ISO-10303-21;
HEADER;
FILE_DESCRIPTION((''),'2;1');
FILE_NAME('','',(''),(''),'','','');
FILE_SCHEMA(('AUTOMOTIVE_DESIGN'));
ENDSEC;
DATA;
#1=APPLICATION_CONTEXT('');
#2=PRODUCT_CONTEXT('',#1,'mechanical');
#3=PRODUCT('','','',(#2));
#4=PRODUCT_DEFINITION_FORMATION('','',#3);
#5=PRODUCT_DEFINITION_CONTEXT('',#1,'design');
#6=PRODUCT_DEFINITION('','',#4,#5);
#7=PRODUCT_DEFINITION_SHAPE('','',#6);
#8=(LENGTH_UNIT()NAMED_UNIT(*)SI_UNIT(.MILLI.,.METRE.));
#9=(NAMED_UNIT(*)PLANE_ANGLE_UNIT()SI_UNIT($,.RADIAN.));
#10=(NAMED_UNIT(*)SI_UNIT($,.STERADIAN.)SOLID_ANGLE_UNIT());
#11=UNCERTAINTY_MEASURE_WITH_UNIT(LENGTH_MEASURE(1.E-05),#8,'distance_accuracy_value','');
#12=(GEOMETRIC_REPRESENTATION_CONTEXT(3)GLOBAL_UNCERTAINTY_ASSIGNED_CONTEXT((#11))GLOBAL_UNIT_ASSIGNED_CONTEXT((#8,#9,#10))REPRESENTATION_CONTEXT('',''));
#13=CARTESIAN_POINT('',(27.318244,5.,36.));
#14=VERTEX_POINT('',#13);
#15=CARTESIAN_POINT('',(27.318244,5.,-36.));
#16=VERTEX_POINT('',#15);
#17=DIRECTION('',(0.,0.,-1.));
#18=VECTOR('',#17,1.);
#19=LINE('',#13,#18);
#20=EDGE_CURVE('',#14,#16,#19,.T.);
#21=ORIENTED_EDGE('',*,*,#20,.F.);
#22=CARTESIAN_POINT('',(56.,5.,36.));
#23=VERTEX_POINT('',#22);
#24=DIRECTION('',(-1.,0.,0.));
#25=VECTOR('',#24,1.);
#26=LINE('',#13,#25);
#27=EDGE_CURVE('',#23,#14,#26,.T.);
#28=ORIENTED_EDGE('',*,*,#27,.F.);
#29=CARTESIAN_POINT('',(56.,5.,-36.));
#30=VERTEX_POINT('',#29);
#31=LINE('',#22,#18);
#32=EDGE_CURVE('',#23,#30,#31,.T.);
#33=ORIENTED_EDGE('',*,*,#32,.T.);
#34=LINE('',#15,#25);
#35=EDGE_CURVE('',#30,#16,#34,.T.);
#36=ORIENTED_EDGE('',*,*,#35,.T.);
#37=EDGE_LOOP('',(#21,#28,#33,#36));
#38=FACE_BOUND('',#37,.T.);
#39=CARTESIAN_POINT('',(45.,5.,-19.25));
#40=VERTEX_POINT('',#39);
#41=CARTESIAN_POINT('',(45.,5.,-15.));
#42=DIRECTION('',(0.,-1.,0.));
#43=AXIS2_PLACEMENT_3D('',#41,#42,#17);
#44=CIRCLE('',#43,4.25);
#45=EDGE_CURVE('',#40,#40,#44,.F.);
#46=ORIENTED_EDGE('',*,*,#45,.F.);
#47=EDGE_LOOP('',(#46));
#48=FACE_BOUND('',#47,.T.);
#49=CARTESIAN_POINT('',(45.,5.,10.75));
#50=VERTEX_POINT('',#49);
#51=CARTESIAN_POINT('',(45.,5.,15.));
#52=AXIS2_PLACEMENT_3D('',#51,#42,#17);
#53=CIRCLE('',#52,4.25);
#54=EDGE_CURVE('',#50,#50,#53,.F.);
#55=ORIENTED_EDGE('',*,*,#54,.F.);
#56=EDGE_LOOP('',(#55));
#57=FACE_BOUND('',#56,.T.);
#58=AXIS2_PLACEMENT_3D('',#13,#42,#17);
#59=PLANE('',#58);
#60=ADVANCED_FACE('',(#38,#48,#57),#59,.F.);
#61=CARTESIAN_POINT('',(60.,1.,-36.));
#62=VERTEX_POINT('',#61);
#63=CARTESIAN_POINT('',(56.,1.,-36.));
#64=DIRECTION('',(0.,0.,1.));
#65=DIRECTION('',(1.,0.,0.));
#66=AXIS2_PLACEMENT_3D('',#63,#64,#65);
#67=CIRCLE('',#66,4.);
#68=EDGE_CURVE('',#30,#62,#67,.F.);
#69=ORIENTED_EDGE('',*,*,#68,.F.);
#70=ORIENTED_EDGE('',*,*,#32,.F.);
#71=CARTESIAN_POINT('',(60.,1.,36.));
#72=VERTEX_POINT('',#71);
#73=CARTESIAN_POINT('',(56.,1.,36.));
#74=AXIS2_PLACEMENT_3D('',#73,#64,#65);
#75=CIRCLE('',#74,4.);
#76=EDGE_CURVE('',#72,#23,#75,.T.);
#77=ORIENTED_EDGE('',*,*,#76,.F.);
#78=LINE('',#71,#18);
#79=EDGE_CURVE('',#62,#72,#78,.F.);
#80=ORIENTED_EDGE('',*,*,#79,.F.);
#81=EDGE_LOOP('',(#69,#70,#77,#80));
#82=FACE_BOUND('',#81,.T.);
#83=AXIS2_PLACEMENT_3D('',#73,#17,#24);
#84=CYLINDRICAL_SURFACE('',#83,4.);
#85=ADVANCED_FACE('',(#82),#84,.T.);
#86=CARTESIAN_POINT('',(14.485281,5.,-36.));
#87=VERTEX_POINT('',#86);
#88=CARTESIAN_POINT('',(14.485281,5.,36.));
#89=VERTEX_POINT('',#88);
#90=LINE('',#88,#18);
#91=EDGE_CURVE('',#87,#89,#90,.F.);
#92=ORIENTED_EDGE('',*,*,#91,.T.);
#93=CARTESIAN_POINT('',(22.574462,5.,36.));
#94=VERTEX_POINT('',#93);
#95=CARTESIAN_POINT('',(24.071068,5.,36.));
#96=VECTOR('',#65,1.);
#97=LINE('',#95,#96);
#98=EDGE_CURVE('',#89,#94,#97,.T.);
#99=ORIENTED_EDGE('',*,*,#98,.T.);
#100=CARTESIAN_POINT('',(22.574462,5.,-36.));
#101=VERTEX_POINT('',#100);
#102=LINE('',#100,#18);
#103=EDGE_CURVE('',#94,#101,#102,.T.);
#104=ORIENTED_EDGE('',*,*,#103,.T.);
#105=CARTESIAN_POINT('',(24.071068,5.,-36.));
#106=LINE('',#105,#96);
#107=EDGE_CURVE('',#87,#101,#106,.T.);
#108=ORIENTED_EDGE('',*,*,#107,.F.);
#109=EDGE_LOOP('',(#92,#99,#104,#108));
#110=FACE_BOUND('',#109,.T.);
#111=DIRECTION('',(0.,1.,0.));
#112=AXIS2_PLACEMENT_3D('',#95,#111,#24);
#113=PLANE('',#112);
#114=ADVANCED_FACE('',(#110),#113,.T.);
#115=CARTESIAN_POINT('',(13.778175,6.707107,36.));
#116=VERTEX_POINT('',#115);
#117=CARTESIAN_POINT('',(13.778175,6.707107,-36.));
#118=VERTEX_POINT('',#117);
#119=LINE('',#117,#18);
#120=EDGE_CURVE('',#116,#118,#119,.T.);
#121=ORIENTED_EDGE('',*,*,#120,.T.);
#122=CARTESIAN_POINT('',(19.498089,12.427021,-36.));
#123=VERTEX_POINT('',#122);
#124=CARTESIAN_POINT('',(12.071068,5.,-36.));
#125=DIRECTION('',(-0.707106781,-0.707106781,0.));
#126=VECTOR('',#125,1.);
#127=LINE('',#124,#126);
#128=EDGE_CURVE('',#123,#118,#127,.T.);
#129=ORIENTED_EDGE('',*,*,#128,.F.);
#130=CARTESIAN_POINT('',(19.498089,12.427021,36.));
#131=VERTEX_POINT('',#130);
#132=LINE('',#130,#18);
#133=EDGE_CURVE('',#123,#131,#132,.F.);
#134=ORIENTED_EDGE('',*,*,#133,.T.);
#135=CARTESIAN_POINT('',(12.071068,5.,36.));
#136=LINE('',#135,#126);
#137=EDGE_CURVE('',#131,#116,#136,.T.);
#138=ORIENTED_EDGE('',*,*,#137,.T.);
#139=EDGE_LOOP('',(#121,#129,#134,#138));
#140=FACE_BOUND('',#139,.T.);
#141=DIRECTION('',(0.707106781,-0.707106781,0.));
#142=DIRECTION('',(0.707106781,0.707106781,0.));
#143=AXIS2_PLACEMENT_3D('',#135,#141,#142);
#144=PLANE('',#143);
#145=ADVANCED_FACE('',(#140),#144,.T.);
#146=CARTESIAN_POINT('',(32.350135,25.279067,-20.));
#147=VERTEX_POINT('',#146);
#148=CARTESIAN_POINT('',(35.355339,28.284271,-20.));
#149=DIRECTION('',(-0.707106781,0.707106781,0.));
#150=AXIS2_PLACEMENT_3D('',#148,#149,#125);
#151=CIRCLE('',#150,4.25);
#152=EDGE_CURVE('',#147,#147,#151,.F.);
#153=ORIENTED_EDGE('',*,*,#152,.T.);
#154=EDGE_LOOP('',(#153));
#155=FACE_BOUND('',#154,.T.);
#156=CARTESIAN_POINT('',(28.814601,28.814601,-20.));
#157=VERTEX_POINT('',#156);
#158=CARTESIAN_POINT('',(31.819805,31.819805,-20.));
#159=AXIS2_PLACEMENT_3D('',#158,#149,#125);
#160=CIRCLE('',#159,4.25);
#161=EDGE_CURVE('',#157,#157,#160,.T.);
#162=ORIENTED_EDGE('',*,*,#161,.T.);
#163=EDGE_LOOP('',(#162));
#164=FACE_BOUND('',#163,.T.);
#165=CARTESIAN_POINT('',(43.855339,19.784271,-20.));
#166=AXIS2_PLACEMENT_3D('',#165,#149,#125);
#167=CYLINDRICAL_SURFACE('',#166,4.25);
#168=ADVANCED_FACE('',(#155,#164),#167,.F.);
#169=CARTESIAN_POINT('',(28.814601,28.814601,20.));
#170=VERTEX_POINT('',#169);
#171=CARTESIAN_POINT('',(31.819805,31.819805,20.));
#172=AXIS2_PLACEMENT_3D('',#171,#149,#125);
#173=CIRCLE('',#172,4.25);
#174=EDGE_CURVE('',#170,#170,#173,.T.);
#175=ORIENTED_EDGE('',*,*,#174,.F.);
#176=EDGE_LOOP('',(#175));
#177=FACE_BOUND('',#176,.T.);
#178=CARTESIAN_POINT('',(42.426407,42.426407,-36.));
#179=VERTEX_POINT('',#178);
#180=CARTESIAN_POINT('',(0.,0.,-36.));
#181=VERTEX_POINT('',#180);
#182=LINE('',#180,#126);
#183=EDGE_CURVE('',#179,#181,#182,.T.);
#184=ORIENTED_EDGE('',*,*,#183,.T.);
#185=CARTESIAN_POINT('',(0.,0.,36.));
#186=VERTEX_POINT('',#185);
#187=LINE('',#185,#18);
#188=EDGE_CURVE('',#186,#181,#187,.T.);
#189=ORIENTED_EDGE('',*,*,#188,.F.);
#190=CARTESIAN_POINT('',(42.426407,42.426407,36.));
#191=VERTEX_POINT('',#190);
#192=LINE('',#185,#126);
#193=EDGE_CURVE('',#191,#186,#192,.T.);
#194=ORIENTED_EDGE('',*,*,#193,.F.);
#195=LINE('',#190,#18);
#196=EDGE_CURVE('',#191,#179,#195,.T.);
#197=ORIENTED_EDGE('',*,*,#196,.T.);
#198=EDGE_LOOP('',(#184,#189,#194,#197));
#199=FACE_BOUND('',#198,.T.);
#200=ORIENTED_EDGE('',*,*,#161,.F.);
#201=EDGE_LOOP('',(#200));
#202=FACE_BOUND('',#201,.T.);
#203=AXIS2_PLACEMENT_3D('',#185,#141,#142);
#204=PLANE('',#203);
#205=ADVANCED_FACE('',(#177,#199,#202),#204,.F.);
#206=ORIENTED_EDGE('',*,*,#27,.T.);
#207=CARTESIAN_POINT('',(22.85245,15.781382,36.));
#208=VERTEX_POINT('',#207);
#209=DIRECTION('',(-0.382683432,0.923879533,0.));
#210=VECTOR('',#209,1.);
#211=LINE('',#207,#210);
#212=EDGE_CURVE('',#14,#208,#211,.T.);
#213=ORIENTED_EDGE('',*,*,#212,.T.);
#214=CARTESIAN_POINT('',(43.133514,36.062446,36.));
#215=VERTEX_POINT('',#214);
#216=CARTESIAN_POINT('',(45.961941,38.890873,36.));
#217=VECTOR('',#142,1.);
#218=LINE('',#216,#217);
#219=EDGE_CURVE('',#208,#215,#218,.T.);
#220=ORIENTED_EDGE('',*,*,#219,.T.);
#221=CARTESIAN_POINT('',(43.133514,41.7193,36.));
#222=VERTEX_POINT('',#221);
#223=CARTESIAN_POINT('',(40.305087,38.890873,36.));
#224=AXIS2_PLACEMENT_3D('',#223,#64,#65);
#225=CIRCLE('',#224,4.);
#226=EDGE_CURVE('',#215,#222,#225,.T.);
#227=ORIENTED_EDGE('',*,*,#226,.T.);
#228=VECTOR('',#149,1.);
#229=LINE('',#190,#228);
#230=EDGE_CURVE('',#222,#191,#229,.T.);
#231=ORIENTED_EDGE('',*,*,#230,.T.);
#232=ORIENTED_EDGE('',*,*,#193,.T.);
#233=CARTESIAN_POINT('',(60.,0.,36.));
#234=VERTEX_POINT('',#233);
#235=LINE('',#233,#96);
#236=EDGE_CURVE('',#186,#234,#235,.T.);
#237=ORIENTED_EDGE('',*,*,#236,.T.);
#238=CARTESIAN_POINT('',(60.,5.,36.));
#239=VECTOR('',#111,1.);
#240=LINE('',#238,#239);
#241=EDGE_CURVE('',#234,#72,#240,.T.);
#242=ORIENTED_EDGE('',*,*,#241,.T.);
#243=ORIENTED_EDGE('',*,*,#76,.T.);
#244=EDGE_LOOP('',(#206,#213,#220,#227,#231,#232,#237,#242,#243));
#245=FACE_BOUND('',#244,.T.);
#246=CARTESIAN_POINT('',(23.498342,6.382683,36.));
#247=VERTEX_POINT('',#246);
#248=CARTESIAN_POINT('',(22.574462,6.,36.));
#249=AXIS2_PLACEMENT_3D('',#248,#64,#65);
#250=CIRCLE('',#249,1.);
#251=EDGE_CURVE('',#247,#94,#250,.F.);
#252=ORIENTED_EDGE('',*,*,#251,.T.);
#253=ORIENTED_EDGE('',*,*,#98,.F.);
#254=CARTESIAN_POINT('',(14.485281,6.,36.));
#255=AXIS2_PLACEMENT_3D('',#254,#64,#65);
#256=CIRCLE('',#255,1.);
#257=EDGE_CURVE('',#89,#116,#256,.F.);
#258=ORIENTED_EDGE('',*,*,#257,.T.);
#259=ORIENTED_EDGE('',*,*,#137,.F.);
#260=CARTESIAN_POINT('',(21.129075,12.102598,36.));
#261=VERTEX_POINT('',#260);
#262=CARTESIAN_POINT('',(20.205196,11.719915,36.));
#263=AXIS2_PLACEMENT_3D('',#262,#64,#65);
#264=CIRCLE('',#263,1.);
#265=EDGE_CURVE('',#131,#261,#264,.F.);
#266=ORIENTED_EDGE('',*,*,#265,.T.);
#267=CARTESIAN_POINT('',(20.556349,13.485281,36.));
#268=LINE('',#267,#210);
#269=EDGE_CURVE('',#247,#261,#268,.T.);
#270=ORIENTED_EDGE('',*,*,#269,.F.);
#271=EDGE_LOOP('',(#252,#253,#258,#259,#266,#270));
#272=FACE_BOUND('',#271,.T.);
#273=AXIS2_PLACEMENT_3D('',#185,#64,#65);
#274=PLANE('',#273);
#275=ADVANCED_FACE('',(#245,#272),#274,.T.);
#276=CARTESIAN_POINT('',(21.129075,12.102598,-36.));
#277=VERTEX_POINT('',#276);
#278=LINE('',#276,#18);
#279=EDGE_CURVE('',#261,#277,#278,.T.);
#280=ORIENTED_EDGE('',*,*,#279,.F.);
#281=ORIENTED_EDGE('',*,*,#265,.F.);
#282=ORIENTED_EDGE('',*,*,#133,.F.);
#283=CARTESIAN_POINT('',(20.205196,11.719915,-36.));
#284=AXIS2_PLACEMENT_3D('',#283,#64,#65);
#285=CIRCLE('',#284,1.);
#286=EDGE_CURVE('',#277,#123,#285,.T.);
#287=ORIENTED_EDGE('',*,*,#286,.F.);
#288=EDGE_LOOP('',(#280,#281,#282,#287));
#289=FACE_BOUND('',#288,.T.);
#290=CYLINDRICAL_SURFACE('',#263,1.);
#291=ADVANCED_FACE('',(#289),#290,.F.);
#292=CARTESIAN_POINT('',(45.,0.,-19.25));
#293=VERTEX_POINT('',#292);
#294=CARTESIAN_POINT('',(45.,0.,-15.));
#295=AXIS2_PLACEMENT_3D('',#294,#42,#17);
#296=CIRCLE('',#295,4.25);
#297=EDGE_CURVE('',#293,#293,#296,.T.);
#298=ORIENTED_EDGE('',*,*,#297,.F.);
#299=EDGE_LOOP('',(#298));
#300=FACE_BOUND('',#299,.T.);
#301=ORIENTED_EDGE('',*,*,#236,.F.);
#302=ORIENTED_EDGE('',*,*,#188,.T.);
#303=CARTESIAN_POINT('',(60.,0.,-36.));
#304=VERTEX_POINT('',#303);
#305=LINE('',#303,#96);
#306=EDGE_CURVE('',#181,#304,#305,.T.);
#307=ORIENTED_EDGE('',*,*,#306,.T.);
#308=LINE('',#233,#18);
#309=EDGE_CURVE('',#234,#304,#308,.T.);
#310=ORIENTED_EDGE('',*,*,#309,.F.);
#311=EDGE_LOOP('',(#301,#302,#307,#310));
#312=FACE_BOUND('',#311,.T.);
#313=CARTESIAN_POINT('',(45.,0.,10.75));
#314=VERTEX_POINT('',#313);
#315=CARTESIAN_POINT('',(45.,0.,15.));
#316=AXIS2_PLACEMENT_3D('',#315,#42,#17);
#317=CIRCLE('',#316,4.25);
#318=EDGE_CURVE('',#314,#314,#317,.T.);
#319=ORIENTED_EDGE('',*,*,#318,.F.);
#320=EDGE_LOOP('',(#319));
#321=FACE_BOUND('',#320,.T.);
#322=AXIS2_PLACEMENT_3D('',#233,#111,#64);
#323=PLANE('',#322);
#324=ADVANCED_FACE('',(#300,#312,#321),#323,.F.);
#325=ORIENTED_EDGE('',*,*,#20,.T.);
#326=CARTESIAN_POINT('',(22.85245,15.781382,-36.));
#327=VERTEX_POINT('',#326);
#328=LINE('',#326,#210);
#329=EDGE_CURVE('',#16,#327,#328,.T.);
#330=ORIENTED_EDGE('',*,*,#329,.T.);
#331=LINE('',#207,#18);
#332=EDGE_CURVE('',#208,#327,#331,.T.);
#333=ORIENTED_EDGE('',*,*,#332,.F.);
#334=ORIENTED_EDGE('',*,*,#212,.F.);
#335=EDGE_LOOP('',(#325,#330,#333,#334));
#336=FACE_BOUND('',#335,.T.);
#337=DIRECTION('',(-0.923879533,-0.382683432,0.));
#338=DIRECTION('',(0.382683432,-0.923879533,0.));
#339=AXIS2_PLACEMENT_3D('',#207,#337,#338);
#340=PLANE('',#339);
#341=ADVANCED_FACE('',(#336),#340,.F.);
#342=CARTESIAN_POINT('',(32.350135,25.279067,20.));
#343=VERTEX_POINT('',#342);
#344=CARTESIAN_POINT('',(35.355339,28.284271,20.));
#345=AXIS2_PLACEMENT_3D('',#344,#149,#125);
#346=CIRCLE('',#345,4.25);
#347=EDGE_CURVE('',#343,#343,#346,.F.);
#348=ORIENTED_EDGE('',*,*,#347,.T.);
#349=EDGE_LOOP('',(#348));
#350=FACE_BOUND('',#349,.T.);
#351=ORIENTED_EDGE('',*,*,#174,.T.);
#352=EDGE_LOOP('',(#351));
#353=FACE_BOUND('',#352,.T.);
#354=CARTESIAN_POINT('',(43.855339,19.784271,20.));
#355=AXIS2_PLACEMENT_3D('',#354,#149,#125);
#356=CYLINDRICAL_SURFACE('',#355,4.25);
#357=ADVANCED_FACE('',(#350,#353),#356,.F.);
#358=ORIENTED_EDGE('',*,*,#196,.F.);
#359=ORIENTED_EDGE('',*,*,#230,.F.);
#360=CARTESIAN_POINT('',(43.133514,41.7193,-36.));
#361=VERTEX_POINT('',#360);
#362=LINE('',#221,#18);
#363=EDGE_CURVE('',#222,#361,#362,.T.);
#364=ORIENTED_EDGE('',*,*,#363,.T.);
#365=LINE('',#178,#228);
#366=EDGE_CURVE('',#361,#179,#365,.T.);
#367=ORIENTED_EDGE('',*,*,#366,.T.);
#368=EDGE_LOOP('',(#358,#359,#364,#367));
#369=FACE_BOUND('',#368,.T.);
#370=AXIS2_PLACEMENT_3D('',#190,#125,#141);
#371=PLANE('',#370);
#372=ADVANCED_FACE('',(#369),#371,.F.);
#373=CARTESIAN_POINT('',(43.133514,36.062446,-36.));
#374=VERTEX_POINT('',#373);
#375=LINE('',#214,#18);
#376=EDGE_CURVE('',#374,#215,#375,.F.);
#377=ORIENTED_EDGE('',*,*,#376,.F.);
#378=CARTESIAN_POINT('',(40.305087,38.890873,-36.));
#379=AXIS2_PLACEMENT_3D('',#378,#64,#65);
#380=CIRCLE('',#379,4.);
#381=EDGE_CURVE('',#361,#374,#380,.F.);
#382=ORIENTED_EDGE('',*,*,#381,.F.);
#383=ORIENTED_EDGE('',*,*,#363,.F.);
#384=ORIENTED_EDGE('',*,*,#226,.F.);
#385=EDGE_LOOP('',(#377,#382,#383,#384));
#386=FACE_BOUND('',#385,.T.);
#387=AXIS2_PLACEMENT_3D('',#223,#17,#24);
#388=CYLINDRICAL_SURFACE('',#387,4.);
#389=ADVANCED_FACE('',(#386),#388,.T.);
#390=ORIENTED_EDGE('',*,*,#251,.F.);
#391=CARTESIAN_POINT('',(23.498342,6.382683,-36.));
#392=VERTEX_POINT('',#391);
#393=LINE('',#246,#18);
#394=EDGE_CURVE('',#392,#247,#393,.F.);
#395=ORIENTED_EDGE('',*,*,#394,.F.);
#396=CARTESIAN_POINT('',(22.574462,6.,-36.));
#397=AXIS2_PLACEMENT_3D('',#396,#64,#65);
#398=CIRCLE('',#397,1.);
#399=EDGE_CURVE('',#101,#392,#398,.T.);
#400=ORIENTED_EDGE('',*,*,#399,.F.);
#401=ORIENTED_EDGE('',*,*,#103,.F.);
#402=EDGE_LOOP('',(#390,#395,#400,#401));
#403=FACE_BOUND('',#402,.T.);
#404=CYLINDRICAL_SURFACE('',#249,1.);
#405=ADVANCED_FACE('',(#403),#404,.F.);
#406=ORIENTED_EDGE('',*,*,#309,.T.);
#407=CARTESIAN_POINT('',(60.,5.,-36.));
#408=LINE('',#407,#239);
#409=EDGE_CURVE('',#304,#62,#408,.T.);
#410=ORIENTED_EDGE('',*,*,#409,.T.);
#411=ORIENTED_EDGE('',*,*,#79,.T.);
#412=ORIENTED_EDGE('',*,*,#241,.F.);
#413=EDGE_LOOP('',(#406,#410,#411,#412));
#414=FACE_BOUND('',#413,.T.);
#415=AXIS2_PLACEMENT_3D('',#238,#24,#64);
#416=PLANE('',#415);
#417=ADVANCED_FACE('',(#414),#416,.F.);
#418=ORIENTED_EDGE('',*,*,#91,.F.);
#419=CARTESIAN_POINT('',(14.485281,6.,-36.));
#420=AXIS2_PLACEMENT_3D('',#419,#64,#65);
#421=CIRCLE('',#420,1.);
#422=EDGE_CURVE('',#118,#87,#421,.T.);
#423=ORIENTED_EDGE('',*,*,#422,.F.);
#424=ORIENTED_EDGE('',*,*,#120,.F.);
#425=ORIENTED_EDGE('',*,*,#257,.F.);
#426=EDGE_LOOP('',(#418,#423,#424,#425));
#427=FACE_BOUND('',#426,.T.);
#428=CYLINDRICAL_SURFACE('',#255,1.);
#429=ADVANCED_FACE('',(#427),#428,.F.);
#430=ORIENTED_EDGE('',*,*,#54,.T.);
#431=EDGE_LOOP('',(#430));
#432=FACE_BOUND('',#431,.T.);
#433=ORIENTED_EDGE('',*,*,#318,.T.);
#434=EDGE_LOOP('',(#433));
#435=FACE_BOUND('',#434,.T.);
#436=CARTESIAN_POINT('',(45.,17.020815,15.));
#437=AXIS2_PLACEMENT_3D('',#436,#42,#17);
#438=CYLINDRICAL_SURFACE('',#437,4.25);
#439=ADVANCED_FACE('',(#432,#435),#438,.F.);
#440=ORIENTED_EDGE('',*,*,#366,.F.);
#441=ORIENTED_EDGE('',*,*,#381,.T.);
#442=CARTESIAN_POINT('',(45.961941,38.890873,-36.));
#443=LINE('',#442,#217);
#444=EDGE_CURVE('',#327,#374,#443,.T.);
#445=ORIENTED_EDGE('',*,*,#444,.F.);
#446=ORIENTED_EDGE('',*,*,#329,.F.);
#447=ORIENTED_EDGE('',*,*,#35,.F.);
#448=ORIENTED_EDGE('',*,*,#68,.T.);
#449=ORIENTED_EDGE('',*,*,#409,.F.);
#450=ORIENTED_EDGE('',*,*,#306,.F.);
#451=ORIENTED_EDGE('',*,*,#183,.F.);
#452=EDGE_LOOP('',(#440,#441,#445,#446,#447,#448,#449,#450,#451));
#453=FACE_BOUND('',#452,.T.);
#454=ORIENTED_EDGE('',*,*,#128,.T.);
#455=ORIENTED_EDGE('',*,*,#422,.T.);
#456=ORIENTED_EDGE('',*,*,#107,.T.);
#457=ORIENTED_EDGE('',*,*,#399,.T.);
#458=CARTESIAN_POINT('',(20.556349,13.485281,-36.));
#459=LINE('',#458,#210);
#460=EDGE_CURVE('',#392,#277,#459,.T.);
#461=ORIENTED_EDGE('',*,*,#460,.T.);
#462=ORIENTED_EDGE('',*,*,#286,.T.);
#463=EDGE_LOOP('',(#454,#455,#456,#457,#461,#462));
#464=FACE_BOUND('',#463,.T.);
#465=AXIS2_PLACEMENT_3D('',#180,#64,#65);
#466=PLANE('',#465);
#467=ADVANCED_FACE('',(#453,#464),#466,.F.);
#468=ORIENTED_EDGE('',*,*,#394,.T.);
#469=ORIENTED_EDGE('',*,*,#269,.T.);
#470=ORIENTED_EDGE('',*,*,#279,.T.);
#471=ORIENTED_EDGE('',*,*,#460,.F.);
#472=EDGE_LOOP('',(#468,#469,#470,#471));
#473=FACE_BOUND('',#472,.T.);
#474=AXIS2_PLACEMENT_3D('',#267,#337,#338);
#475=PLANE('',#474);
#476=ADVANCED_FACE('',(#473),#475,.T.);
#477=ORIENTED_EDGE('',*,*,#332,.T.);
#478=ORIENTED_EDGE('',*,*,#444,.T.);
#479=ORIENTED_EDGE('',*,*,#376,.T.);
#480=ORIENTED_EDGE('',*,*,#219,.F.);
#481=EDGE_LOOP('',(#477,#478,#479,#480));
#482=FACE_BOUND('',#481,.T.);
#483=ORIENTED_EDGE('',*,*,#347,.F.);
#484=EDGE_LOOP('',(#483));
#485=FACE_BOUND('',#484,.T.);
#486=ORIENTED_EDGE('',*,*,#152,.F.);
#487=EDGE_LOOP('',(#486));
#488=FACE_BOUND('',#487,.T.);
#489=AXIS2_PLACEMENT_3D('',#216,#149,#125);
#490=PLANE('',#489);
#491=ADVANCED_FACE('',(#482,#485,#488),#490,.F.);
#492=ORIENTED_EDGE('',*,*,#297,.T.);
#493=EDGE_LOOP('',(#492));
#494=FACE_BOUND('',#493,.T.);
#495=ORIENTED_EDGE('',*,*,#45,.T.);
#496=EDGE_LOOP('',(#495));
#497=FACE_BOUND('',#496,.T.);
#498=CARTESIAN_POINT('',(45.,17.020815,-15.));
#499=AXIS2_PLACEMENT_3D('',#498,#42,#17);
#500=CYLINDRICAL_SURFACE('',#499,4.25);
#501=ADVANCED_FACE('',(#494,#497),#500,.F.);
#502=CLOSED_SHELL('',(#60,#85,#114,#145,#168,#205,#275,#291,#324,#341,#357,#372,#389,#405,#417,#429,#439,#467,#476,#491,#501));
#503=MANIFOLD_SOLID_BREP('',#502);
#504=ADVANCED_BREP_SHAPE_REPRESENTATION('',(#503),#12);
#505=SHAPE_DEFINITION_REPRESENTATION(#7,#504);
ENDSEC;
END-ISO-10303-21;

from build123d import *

# Parameters (mm, degrees)
EXTRUDE_1_DEPTH     = 36
SKETCH_2_R          = 4.25
CUT_EXTRUDE_1_DEPTH = 5
SKETCH_3_R          = 4.25
CUT_EXTRUDE_2_DEPTH = 5
FILLET_1_R          = 4
FILLET_2_R          = 1


with BuildPart() as part:
    # Эскиз1 → Бобышка-Вытянуть1 (new body, symmetric)
    with BuildSketch(Plane.XY):
        Polygon((0, 0), (42.426406871, 42.426406871), (45.961940777, 38.890872965), (22.85244978, 15.781381968), (27.318244413, 5), (60, 5), (60, 0), align=None)
        Polygon((20.556349186, 13.485281374), (24.071067812, 5), (12.071067812, 5), align=None, mode=Mode.SUBTRACT)
    extrude(amount=EXTRUDE_1_DEPTH, both=True)

    # Эскиз2 → Вырез-Вытянуть1 (cut)
    with BuildSketch(Plane(origin=(0, 0, 0), x_dir=(0, 0, 1), z_dir=(-0.707106781, 0.707106781, 0))):
        with Locations(Location((-20, 45, 0), (0, 0, 270))):  # turned: the seam where the file's is
            Circle(SKETCH_2_R)
        with Locations(Location((20, 45, 0), (0, 0, 270))):  # turned: the seam where the file's is
            Circle(SKETCH_2_R)
    extrude(amount=-CUT_EXTRUDE_1_DEPTH, mode=Mode.SUBTRACT)

    # Эскиз3 → Вырез-Вытянуть2 (cut)
    with BuildSketch(Plane.XZ):
        with Locations(Location((45, 15, 0), (0, 0, 270))):  # turned: the seam where the file's is
            Circle(SKETCH_3_R)
        with Locations(Location((45, -15, 0), (0, 0, 270))):  # turned: the seam where the file's is
            Circle(SKETCH_3_R)
    extrude(amount=-CUT_EXTRUDE_2_DEPTH, mode=Mode.SUBTRACT)

    # Скругление1
    fillet_1_edges = [part.edges().sort_by_distance(p)[0] for p in [
        (45.961940777, 38.890872965, 0),
        (60, 5, 0),
    ]]
    fillet(fillet_1_edges, radius=FILLET_1_R)

    # Скругление2
    fillet_2_edges = [part.edges().sort_by_distance(p)[0] for p in [
        (20.556349186, 13.485281374, 0),
        (12.071067812, 5, 0),
        (24.071067812, 5, 0),
    ]]
    fillet(fillet_2_edges, radius=FILLET_2_R)


solid = part.part
